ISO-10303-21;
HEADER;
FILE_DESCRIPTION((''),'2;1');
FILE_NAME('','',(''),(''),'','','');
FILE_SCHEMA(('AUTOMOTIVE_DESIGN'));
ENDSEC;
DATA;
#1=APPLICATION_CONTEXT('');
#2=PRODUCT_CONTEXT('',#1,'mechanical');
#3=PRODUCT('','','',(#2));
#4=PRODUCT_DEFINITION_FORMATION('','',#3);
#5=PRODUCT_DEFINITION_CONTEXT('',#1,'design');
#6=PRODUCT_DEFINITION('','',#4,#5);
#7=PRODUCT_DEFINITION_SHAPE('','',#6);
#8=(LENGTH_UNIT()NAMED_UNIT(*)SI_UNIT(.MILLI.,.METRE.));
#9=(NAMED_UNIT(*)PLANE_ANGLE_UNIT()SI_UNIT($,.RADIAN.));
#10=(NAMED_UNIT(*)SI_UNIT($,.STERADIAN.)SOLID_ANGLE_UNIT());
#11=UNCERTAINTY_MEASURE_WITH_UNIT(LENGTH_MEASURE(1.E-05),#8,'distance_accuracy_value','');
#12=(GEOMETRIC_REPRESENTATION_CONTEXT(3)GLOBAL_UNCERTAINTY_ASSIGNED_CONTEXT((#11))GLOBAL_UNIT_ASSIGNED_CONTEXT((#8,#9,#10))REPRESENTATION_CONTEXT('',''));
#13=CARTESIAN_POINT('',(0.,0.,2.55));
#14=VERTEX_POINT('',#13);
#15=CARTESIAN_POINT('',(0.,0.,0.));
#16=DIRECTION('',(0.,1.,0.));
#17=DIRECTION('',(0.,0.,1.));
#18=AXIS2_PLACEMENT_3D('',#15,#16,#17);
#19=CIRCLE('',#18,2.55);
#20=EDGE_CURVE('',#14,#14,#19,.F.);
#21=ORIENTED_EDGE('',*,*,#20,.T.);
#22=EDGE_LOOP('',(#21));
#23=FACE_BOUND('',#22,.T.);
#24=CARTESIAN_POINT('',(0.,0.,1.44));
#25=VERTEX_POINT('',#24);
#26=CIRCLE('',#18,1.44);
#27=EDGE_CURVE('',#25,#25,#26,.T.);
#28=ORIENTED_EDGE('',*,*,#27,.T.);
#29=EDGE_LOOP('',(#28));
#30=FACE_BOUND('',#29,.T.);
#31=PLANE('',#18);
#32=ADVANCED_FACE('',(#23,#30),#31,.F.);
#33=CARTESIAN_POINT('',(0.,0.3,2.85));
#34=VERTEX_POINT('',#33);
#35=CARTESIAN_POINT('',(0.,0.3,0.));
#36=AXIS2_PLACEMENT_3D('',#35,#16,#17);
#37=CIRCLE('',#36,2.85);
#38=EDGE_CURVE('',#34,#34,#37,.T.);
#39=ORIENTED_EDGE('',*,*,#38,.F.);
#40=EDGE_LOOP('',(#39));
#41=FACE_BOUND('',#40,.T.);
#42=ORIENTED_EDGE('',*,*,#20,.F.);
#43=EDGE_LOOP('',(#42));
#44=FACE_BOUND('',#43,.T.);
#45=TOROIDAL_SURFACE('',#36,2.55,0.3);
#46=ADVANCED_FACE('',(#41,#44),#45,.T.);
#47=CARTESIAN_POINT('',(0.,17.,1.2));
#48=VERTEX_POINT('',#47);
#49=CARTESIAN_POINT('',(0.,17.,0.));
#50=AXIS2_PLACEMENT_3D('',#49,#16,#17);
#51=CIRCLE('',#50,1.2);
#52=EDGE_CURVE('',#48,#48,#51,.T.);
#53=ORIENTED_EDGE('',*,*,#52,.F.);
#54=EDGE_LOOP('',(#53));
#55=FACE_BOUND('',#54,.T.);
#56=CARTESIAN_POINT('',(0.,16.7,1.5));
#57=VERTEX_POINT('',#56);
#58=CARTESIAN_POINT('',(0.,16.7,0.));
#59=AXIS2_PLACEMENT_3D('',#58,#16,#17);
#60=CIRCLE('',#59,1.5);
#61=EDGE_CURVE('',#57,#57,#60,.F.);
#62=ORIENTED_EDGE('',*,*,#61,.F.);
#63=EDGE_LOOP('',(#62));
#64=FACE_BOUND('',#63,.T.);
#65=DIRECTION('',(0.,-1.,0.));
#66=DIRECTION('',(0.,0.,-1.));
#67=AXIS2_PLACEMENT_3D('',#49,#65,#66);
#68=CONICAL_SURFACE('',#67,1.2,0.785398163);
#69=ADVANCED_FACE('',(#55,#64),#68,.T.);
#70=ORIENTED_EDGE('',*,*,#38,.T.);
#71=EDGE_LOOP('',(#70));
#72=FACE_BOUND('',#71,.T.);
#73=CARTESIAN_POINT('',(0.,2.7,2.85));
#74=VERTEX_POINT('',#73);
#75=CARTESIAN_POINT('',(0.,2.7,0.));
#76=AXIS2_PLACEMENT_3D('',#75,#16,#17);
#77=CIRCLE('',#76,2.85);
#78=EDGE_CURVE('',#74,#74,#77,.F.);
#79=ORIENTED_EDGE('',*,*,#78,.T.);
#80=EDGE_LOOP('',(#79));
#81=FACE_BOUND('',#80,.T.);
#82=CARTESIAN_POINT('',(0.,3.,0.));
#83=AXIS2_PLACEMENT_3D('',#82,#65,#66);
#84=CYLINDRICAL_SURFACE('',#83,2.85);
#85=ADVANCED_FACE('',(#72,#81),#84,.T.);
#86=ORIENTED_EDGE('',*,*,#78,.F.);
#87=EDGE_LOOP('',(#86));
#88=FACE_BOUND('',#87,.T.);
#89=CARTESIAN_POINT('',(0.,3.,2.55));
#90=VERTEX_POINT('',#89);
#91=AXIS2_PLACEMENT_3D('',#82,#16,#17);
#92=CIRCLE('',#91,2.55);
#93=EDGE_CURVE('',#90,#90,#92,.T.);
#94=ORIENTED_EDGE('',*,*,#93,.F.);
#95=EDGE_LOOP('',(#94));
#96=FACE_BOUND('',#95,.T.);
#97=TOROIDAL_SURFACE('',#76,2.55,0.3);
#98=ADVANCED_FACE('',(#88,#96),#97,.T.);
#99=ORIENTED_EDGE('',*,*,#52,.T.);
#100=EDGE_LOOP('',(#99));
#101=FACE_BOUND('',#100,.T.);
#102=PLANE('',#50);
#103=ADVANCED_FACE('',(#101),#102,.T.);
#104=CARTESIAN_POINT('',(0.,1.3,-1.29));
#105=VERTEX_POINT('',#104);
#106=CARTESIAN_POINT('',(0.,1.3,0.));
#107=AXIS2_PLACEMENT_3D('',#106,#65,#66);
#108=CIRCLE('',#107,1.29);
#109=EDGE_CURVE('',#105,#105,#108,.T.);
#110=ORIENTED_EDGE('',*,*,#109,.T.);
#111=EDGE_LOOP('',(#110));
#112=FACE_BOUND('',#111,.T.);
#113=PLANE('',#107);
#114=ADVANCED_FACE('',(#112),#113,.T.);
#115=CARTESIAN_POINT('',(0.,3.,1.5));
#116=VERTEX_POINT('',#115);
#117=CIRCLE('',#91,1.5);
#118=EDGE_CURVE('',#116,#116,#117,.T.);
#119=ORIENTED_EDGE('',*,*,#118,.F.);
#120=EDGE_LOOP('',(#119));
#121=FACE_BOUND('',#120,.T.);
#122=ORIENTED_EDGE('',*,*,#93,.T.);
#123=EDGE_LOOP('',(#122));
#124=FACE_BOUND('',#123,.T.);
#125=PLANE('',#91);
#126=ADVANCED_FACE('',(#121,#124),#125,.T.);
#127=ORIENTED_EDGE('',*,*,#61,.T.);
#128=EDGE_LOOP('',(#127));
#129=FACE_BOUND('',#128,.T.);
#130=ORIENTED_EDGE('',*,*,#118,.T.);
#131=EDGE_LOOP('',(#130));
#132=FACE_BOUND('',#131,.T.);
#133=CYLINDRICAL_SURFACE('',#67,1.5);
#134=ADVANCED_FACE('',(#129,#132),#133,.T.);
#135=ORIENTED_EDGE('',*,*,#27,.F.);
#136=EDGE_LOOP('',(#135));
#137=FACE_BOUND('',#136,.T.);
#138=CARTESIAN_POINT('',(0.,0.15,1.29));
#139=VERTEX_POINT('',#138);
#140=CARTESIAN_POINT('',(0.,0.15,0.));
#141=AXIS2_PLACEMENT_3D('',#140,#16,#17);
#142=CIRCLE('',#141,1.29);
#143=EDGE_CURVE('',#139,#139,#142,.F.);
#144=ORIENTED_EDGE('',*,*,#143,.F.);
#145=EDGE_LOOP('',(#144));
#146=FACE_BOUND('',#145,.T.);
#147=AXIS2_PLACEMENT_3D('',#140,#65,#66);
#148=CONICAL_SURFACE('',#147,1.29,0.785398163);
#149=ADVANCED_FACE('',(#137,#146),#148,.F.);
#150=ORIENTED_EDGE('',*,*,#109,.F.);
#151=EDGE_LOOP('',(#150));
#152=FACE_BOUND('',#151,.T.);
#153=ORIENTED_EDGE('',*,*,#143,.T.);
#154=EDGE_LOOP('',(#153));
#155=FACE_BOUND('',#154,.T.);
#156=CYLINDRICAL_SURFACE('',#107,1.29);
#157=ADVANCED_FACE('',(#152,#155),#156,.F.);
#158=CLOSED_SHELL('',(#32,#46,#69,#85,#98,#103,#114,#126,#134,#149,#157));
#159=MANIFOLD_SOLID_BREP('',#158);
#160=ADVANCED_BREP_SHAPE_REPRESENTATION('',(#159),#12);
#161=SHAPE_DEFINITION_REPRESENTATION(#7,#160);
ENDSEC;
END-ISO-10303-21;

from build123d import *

# Parameters (mm, degrees)
SKETCH_1_R          = 2.85
EXTRUDE_1_DEPTH     = 3
SKETCH_2_R          = 1.5
EXTRUDE_2_DEPTH     = 14
SKETCH_3_R          = 1.29
CUT_EXTRUDE_1_DEPTH = 1.3
FILLET_1_R          = 0.3
CHAMFER_1_SIZE      = 0.3
CHAMFER_2_SIZE      = 0.15


with BuildPart() as part:
    # 草图1 → 凸台-拉伸1 (new body)
    with BuildSketch(Plane(origin=(0, 0, 0), x_dir=(1, 0, 0), z_dir=(0, 1, 0))):
        with Locations(Location((0, 0, 0), (0, 0, 270))):
            Circle(SKETCH_1_R)
    extrude(amount=EXTRUDE_1_DEPTH)

    # 草图2 → 凸台-拉伸2 (add)
    with BuildSketch(Plane(origin=(0, 3, 0), x_dir=(1, 0, 0), z_dir=(0, 1, 0))):
        with Locations(Location((0, 0, 0), (0, 0, 270))):
            Circle(SKETCH_2_R)
    extrude(amount=EXTRUDE_2_DEPTH)

    # 草图3 → 切除-拉伸1 (cut)
    with BuildSketch(Plane.XZ):
        with Locations(Location((0, 0, 0), (0, 0, 270))):
            Circle(SKETCH_3_R)
    extrude(amount=-CUT_EXTRUDE_1_DEPTH, mode=Mode.SUBTRACT)

    # 圆角1
    fillet_1_edges = [part.edges().sort_by_distance(p)[0] for p in [
        (0, 0, -2.85),
        (0, 3, -2.85),
    ]]
    fillet(fillet_1_edges, radius=FILLET_1_R)

    # 倒角1
    chamfer_1_edges = [part.edges().sort_by_distance(p)[0] for p in [
        (0, 17, -1.5),
    ]]
    chamfer(chamfer_1_edges, length=CHAMFER_1_SIZE)

    # 倒角2
    chamfer_2_edges = [part.edges().sort_by_distance(p)[0] for p in [
        (0, 0, 1.29),
    ]]
    chamfer(chamfer_2_edges, length=CHAMFER_2_SIZE)


solid = part.part
